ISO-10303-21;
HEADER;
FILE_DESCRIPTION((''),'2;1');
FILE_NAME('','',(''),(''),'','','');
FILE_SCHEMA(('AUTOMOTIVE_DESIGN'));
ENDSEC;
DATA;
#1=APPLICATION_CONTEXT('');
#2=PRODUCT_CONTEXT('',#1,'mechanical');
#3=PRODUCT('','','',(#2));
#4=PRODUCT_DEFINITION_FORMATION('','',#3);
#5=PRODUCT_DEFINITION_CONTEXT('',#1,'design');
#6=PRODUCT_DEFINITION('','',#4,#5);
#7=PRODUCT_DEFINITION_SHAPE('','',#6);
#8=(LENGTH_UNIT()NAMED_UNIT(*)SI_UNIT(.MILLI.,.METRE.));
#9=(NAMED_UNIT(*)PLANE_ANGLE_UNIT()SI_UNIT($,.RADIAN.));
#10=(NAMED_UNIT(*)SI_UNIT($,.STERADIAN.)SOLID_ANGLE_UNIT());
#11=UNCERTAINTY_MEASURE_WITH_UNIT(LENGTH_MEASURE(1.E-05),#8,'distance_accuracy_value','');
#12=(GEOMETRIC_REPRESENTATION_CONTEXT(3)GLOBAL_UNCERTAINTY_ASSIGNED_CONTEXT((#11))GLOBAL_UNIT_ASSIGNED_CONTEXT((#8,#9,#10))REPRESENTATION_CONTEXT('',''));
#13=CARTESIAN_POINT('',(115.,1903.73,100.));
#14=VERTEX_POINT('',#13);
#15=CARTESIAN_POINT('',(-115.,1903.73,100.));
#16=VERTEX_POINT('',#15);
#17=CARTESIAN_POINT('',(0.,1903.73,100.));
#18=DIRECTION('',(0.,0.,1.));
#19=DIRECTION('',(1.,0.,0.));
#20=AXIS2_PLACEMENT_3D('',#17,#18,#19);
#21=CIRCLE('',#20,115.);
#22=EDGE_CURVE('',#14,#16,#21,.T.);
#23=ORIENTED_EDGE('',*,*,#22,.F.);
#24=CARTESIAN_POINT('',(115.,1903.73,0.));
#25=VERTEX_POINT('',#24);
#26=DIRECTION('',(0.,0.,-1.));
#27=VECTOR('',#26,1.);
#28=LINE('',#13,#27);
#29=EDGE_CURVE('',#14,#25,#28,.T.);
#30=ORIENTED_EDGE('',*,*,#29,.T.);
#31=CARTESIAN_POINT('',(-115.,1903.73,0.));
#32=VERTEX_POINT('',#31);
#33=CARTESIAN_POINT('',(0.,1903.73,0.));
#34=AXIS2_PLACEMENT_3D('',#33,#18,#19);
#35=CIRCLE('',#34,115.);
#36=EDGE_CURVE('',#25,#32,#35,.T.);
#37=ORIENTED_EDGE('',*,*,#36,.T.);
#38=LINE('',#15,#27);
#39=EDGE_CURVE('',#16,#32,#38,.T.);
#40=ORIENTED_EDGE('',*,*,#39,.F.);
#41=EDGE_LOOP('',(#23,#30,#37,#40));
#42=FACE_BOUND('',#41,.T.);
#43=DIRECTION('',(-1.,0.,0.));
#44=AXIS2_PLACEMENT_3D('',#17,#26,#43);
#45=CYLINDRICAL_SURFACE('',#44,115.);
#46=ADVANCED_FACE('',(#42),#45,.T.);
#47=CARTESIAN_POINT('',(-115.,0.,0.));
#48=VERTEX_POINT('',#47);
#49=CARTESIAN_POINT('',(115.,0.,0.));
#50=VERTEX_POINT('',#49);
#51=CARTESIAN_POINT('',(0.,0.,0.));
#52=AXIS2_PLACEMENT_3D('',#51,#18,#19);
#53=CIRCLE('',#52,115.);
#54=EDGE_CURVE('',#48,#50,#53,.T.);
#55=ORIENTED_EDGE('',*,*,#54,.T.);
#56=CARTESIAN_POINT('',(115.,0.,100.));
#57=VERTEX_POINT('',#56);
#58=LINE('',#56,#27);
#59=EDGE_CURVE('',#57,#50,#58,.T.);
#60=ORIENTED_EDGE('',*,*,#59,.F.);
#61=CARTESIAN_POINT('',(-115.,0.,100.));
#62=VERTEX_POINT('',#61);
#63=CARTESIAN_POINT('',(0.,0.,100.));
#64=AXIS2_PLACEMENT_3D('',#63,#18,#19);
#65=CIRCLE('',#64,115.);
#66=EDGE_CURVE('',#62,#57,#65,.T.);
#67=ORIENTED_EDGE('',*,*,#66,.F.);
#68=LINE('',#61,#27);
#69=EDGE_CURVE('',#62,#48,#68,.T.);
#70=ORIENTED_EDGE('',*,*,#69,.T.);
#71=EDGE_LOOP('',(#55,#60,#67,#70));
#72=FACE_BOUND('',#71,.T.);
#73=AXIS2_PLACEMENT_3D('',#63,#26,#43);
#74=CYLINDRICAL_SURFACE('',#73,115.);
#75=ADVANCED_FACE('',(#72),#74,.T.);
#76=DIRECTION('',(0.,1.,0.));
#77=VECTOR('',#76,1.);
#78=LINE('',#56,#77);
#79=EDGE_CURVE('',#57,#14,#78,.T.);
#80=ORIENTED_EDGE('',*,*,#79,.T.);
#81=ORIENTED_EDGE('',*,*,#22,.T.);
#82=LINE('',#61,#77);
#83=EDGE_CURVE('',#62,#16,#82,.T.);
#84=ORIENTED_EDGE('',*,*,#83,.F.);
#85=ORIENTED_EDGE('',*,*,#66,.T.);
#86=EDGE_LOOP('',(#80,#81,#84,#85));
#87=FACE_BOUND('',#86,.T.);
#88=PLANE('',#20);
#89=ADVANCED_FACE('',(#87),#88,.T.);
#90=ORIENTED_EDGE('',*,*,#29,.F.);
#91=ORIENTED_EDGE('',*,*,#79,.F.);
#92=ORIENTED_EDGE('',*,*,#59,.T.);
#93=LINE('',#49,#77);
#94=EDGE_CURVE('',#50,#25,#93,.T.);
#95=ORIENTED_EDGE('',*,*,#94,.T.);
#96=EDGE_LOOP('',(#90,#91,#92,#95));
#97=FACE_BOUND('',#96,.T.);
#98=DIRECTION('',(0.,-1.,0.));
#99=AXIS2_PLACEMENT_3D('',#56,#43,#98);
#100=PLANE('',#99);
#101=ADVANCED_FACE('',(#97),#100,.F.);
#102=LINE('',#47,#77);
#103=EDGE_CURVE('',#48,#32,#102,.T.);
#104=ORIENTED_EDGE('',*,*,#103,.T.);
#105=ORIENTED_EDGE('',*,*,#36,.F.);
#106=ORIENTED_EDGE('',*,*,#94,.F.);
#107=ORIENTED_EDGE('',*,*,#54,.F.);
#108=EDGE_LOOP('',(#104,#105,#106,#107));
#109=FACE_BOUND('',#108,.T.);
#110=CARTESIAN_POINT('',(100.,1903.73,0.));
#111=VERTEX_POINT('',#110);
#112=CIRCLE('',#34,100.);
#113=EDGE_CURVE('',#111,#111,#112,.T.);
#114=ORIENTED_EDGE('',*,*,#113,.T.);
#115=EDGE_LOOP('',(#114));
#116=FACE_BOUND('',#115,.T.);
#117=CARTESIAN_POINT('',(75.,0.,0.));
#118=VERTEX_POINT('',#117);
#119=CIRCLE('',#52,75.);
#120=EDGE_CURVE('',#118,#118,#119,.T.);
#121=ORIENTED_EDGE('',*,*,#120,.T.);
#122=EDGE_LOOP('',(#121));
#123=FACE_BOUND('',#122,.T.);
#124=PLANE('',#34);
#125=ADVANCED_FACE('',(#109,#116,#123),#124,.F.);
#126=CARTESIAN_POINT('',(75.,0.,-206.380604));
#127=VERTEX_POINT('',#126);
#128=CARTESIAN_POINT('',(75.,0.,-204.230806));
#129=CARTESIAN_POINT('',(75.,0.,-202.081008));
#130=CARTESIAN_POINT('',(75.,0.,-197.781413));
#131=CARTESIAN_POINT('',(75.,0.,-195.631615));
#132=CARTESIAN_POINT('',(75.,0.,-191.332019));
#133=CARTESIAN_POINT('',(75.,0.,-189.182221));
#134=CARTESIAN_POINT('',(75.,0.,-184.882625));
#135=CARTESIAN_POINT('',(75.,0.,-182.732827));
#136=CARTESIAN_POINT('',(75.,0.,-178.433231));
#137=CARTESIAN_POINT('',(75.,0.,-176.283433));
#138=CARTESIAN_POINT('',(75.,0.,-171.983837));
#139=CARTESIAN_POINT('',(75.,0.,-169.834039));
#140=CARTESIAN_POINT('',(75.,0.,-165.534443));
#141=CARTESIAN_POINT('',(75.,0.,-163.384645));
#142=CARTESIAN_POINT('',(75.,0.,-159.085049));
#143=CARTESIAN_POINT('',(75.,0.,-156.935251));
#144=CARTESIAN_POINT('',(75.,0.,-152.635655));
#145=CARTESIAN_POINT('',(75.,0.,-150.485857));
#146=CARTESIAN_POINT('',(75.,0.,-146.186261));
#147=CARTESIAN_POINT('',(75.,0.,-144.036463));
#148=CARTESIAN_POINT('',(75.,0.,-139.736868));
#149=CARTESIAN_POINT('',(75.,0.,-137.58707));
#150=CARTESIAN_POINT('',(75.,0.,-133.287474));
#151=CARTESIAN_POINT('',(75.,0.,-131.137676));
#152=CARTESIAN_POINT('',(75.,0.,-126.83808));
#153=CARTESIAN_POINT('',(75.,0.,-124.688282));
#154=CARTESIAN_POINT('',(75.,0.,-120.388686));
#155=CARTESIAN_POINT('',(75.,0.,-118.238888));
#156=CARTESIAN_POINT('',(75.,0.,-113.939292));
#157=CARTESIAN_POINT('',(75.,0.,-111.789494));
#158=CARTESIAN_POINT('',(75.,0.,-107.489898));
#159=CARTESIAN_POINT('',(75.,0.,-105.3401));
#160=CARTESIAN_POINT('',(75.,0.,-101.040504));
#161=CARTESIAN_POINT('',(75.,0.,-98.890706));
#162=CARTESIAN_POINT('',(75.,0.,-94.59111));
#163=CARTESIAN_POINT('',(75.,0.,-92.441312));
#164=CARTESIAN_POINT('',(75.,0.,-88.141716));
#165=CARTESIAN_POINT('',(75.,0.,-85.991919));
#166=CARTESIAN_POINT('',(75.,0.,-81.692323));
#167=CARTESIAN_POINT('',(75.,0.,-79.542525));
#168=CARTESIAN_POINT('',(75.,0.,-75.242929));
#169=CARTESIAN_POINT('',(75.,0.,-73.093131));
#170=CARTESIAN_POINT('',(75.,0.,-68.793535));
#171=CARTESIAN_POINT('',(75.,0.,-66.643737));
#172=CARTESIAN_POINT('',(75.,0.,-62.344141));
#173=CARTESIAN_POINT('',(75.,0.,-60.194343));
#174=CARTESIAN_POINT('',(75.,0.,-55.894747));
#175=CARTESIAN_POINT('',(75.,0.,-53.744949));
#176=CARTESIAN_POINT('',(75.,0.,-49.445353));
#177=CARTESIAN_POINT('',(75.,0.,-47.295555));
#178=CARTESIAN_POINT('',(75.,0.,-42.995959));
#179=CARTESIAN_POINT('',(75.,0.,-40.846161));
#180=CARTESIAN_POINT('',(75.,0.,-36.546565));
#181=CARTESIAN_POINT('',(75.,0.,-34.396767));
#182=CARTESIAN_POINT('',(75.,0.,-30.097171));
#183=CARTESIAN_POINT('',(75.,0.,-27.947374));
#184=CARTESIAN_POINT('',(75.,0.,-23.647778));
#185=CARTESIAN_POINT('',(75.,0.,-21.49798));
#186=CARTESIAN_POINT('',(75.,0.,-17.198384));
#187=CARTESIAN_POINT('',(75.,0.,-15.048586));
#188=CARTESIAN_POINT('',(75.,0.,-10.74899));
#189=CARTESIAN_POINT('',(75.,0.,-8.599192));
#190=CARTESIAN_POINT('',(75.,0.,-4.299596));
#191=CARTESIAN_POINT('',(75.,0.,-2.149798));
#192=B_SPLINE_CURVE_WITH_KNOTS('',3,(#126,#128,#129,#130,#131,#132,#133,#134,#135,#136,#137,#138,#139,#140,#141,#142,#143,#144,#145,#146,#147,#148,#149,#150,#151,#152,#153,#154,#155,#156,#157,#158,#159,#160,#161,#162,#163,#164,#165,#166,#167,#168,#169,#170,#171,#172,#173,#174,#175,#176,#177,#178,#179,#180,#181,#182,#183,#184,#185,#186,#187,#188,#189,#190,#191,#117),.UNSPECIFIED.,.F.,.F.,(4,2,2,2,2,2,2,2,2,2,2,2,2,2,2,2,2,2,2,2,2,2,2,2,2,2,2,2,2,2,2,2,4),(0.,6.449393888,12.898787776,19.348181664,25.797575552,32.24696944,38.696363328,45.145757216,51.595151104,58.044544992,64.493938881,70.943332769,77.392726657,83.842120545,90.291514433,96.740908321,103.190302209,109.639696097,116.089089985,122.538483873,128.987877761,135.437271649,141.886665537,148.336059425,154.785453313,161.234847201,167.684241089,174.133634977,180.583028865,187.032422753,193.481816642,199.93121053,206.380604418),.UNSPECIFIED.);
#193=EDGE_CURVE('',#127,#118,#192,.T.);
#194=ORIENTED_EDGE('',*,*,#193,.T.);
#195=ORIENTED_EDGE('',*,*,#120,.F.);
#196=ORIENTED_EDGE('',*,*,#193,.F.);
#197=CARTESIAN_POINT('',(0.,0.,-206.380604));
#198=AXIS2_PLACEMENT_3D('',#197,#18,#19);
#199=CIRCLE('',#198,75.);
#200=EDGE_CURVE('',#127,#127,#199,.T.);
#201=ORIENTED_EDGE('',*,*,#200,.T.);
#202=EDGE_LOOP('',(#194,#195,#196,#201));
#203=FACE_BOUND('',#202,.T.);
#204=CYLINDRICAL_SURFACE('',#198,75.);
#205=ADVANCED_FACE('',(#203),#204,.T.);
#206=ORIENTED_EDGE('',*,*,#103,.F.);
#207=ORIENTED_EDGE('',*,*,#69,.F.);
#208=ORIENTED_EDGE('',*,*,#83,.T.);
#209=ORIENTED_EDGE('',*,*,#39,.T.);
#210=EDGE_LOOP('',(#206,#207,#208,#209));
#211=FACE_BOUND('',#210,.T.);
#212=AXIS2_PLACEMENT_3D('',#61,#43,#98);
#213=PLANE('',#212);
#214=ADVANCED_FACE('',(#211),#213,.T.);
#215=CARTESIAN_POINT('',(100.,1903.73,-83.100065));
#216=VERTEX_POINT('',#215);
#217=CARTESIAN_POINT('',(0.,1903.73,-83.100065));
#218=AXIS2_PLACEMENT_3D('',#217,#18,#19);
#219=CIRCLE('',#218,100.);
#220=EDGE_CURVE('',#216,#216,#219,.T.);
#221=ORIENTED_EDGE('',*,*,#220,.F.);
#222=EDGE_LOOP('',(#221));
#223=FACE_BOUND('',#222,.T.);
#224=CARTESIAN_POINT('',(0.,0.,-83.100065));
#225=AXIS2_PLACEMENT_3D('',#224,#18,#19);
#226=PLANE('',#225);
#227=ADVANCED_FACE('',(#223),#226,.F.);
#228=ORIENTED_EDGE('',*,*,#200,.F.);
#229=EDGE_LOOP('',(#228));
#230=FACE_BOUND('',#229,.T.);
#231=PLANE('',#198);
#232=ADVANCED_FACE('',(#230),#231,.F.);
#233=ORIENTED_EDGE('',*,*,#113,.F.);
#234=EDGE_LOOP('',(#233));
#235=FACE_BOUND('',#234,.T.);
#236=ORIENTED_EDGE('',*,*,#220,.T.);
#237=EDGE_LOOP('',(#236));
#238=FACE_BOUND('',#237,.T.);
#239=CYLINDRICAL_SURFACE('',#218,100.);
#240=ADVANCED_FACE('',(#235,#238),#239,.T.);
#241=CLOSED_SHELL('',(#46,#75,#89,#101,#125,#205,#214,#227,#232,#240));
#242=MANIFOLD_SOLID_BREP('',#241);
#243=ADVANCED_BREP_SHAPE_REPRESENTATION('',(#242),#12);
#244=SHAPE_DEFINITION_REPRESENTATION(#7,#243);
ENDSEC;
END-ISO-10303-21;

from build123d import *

# Parameters (mm, degrees)
BOSS_EXTRUDE1_DEPTH = 100
SKETCH1_4_R         = 100
BOSS_EXTRUDE3_DEPTH = 83.10006502
SKETCH1_5_R         = 75
BOSS_EXTRUDE4_DEPTH = 206.380604418


with BuildPart() as part:
    # Sketch1 → Boss-Extrude1 (new body)
    with BuildSketch(Plane.XY):
        with BuildLine():
            Line((-115, 0), (-115, 1903.73))
            ThreePointArc((-115, 1903.73), (0, 2018.73), (115, 1903.73))
            Line((115, 1903.73), (115, 0))
            ThreePointArc((115, 0), (0, -115), (-115, 0))
        make_face()
    extrude(amount=BOSS_EXTRUDE1_DEPTH)

    # Sketch1<4> → Boss-Extrude3 (add)
    with BuildSketch(Plane.XY):
        with Locations((0, 1903.73)):
            Circle(SKETCH1_4_R)
    extrude(amount=-BOSS_EXTRUDE3_DEPTH)

    # Sketch1<5> → Boss-Extrude4 (add)
    with BuildSketch(Plane.XY):
        Circle(SKETCH1_5_R)
    extrude(amount=-BOSS_EXTRUDE4_DEPTH)


solid = part.part
